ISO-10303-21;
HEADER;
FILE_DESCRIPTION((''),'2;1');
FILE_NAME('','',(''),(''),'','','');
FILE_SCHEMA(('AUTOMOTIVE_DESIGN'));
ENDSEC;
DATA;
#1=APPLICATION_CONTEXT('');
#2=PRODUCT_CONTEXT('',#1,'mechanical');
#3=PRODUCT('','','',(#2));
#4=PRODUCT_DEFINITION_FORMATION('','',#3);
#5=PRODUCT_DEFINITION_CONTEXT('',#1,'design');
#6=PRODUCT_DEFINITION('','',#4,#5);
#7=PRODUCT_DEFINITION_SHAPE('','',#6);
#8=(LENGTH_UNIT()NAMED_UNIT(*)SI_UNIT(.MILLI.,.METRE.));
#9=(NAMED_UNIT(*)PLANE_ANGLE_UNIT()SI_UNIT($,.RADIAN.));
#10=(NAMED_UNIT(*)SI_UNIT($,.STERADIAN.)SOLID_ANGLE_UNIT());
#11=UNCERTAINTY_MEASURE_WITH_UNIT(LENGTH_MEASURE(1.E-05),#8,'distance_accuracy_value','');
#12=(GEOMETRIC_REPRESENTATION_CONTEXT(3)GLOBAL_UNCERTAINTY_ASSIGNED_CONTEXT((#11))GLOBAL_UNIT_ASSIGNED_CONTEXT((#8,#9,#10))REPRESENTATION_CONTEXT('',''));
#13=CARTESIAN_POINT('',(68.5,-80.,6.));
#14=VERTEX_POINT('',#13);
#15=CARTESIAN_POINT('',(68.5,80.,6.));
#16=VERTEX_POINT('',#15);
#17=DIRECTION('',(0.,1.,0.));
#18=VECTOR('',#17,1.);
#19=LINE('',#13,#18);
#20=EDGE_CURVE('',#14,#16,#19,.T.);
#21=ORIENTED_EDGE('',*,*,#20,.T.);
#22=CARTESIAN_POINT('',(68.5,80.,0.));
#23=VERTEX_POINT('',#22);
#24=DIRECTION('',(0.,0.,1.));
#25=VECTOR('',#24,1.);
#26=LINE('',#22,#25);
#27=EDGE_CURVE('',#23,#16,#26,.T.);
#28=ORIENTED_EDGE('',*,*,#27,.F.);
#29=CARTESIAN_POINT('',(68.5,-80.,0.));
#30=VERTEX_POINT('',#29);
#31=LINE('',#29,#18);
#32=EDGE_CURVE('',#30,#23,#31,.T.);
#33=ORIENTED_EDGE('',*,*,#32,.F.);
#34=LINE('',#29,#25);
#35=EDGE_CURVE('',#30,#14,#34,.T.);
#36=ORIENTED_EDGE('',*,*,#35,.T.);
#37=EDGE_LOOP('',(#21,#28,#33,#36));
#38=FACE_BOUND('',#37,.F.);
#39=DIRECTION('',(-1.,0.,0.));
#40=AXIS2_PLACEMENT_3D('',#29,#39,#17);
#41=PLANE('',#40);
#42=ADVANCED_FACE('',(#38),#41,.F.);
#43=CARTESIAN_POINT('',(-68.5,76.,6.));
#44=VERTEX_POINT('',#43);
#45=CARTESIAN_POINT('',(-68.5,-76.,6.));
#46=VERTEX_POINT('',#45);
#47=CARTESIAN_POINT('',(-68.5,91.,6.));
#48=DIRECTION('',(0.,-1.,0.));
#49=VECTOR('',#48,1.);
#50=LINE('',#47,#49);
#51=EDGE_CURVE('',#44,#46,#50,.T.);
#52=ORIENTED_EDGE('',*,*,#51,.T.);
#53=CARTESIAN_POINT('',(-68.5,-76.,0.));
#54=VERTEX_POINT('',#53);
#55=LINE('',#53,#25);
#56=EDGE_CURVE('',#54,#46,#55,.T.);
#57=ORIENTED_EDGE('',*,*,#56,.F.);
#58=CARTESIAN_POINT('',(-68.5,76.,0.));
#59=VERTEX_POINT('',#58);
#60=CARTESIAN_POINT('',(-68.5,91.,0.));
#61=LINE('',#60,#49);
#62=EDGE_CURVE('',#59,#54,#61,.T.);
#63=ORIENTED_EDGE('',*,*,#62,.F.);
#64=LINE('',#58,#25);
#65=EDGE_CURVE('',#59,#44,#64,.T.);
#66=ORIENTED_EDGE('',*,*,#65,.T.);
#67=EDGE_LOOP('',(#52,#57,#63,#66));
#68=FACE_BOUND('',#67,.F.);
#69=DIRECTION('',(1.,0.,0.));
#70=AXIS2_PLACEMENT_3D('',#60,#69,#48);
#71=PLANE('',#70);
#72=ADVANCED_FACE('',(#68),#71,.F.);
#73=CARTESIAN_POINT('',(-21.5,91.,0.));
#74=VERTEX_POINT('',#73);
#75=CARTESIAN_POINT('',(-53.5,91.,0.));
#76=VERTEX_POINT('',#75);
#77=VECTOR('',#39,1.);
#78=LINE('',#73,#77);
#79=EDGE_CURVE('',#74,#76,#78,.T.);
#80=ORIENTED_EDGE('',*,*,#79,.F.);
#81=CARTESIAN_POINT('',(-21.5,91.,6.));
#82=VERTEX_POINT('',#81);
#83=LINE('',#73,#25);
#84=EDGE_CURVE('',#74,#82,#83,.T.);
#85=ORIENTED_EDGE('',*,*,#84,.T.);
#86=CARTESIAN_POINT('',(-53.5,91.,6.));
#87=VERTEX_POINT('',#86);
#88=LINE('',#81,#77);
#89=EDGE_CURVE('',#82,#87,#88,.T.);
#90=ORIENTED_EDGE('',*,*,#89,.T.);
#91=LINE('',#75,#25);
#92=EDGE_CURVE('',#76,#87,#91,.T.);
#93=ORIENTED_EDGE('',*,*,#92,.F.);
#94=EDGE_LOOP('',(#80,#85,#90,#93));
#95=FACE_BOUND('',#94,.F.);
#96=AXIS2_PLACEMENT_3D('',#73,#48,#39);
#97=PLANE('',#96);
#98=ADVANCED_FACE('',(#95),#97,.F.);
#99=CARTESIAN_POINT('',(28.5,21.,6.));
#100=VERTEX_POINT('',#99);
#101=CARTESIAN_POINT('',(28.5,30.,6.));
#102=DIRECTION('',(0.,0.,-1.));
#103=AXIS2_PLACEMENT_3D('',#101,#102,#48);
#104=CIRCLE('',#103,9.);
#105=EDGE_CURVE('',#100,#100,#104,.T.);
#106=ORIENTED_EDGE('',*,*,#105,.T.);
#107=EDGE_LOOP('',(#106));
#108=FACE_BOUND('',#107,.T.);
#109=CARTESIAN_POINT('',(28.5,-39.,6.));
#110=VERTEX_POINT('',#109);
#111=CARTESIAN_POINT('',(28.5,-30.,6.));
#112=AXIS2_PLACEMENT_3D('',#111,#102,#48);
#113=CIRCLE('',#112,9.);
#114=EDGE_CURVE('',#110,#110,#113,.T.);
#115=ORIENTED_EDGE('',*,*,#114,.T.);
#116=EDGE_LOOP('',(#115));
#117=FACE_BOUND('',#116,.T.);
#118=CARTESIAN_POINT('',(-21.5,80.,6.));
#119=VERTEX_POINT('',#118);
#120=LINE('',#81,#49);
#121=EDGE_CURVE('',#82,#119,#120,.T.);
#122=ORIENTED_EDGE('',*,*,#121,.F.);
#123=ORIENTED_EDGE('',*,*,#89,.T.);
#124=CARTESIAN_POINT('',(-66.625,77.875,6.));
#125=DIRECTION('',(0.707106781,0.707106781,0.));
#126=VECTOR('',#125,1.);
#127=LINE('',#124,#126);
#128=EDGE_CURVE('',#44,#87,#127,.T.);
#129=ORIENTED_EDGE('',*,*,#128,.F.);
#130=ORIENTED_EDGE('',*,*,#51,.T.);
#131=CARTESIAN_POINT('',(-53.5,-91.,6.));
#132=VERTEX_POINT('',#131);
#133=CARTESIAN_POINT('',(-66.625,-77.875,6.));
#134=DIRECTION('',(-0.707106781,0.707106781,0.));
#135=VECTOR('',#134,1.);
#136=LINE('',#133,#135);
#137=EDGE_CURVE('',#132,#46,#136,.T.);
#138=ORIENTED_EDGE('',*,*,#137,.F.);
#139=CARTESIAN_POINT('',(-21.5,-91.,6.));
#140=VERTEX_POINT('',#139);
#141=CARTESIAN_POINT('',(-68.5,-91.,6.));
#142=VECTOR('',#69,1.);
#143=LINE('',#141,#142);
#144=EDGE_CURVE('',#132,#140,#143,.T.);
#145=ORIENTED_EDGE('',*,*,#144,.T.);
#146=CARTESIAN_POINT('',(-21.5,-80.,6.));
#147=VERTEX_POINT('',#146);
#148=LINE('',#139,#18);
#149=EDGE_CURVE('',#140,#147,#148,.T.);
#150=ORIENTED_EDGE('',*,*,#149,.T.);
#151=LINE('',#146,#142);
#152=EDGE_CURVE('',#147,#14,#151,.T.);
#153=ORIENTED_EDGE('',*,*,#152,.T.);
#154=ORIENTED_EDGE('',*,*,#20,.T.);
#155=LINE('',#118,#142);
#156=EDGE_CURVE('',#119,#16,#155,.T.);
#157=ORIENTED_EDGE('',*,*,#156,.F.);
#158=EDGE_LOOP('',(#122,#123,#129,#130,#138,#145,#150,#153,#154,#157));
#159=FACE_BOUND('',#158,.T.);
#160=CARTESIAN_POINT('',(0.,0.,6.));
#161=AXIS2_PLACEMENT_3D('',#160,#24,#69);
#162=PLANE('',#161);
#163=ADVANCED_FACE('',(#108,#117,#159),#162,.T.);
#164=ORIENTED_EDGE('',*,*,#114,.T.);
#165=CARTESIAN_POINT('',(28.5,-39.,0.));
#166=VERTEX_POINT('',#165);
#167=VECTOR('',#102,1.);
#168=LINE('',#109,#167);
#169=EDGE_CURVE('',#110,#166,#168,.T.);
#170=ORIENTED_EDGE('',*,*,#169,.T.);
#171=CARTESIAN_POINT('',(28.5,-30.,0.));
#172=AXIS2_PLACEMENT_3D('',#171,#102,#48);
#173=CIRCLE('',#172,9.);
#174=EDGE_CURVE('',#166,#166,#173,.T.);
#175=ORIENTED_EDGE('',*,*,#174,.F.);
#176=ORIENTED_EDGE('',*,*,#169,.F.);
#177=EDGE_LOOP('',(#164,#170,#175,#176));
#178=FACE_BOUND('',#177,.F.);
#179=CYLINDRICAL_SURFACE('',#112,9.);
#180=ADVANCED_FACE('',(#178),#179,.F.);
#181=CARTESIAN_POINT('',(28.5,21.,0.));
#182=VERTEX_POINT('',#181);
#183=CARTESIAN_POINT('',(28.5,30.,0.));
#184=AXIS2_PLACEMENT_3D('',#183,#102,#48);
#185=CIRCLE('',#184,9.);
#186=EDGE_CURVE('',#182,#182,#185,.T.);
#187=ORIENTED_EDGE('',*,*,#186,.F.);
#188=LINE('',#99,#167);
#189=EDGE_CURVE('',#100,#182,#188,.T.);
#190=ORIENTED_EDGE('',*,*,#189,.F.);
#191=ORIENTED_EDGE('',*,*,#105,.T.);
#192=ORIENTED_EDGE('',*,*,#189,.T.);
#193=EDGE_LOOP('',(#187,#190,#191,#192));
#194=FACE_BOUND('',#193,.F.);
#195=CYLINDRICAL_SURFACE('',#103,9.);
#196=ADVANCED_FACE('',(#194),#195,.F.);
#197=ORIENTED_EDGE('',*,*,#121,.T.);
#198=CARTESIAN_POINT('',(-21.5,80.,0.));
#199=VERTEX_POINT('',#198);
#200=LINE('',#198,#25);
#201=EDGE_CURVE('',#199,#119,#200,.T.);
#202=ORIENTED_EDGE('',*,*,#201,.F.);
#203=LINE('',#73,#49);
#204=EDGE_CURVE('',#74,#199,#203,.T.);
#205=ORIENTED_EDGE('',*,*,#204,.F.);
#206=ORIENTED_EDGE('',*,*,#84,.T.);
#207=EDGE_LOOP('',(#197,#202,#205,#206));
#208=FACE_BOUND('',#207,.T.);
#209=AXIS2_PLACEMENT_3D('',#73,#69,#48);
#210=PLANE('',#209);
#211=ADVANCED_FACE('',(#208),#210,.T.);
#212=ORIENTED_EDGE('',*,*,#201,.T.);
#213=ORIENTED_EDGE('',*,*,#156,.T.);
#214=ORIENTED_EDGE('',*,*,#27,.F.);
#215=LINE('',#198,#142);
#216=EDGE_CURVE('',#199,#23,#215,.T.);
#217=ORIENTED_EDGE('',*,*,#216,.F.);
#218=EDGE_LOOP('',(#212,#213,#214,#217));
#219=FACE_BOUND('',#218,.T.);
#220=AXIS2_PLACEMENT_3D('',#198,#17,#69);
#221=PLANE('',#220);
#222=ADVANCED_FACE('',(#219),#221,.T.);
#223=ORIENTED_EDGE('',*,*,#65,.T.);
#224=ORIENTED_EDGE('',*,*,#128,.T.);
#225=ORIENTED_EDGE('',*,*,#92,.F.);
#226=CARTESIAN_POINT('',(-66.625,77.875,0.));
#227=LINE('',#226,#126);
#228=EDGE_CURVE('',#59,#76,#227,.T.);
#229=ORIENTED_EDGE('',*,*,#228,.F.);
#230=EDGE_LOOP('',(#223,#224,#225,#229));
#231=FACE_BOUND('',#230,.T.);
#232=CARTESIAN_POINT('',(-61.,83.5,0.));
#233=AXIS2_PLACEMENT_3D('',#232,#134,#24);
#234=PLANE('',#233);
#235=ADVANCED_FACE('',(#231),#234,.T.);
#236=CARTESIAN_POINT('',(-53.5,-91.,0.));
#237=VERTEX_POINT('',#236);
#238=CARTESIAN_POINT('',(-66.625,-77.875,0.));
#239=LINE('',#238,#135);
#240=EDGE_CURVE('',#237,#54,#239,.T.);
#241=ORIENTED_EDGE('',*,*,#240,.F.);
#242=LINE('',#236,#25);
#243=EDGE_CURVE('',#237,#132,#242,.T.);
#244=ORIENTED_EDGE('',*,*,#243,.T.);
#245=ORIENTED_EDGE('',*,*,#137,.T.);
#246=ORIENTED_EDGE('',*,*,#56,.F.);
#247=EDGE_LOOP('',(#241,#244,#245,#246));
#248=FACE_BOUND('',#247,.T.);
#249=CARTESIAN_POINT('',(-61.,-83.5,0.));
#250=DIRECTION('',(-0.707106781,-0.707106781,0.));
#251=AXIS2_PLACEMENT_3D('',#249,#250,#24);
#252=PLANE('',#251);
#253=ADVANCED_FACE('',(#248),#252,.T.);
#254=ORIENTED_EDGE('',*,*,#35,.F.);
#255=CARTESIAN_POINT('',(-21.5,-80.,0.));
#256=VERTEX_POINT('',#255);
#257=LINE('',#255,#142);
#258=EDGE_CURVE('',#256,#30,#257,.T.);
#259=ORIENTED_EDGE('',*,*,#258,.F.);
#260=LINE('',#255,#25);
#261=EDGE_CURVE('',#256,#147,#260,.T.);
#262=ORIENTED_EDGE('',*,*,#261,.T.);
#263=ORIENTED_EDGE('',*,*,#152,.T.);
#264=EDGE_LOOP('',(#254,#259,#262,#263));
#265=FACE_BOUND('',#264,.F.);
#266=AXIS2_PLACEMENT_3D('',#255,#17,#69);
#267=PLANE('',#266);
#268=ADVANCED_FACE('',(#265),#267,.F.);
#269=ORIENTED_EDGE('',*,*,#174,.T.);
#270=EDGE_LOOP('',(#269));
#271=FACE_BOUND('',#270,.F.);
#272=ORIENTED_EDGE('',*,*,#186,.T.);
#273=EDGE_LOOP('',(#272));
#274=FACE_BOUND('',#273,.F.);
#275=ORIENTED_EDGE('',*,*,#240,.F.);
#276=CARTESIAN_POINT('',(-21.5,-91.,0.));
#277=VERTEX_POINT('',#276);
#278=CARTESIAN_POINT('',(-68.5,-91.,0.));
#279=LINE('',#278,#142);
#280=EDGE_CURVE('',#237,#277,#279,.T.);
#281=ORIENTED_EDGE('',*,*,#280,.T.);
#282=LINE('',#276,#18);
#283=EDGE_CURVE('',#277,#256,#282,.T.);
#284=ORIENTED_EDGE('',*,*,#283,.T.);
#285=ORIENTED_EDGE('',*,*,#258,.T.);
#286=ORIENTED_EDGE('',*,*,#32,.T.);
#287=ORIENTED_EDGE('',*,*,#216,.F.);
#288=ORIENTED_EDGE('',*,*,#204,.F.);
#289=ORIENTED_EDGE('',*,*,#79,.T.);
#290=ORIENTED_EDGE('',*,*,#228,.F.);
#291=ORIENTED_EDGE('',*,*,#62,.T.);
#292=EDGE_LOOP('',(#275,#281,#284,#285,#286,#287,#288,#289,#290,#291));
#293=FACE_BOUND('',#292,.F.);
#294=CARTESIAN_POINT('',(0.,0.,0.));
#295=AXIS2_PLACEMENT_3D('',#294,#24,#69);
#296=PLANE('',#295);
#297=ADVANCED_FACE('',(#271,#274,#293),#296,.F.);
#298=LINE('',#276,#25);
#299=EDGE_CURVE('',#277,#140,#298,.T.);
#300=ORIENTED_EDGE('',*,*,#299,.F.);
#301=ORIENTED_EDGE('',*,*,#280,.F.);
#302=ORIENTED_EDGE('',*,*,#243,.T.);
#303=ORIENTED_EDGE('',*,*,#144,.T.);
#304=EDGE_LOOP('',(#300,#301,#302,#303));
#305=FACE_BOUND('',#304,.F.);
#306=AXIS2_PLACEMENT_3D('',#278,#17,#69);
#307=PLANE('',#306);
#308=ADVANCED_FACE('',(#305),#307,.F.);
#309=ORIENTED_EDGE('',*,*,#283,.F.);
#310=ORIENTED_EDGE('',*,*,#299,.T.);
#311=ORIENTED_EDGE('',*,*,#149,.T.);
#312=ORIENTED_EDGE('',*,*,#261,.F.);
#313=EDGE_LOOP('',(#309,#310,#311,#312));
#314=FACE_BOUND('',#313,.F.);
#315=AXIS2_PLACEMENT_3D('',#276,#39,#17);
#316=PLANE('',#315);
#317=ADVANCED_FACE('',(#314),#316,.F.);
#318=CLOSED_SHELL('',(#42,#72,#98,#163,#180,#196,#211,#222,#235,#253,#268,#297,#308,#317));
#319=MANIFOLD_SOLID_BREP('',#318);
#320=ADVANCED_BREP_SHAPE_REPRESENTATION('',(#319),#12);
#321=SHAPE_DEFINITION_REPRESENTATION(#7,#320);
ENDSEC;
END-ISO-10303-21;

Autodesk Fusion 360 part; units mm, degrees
sketch "スケッチ1" plane through (0, 0, 0) normal (0, 0, 1) x (1, 0, 0)
  line L0 (-21.5, 91) -> (-68.5, 91)
  line L1 (-68.5, 91) -> (-68.5, -91)
  line L2 (-68.5, -91) -> (-21.5, -91)
  line L3 (68.5, -80) -> (68.5, 80)
  line L4 (60.2198, 80) -> (-68.5, -91) construction
  line L5 (-68.5, 91) -> (60.2198, -80) construction
  line L6 (-21.5, 91) -> (-21.5, 80)
  line L7 (-21.5, 80) -> (68.5, 80)
  line L8 (-21.5, -91) -> (-21.5, -80)
  line L9 (-21.5, -80) -> (68.5, -80)
  dimension "d2" = 182
extrude "押し出し1" add sketch "スケッチ1" along normal blind 6
chamfer "面取り1" distance 15 angle 45 2 edges at (-68.5, -91, 3) (-68.5, 91, 3)
sketch "スケッチ2" plane through (0, 0, 6) normal (0, 0, 1) x (-1, 0, 0)
  line L0 (53.5, -91) -> (68.5, -76)
  line L1 (68.5, -76) -> (68.5, 76)
  line L2 (68.5, 76) -> (53.5, 91)
  line L3 (53.5, 91) -> (21.5, 91)
  line L4 (21.5, 91) -> (21.5, 80)
  line L5 (21.5, 80) -> (-68.5, 80)
  line L6 (-68.5, 80) -> (-68.5, -80)
  line L7 (-68.5, -80) -> (21.5, -80)
  line L8 (21.5, -80) -> (21.5, -91)
  line L9 (21.5, -91) -> (53.5, -91)
  line L10 (-68.5, -80) -> (-28.5, -80) construction
  line L11 (-28.5, -80) -> (-28.5, -30) construction
  line L12 (-28.5, -30) -> (-68.5, -30) construction
  line L13 (-68.5, -30) -> (-68.5, -80) construction
  line L14 (-68.5, 0) -> (91.4537, 0)
  point P0 (-28.5, -30)
  point P1 (-28.5, 30)
  dimension "d10" = 40
  dimension "d11" = 50
hole "穴1" at (28.5, 30, 6) at (28.5, -30, 6) direction (0, 0, -1) diameter 18 end through all
